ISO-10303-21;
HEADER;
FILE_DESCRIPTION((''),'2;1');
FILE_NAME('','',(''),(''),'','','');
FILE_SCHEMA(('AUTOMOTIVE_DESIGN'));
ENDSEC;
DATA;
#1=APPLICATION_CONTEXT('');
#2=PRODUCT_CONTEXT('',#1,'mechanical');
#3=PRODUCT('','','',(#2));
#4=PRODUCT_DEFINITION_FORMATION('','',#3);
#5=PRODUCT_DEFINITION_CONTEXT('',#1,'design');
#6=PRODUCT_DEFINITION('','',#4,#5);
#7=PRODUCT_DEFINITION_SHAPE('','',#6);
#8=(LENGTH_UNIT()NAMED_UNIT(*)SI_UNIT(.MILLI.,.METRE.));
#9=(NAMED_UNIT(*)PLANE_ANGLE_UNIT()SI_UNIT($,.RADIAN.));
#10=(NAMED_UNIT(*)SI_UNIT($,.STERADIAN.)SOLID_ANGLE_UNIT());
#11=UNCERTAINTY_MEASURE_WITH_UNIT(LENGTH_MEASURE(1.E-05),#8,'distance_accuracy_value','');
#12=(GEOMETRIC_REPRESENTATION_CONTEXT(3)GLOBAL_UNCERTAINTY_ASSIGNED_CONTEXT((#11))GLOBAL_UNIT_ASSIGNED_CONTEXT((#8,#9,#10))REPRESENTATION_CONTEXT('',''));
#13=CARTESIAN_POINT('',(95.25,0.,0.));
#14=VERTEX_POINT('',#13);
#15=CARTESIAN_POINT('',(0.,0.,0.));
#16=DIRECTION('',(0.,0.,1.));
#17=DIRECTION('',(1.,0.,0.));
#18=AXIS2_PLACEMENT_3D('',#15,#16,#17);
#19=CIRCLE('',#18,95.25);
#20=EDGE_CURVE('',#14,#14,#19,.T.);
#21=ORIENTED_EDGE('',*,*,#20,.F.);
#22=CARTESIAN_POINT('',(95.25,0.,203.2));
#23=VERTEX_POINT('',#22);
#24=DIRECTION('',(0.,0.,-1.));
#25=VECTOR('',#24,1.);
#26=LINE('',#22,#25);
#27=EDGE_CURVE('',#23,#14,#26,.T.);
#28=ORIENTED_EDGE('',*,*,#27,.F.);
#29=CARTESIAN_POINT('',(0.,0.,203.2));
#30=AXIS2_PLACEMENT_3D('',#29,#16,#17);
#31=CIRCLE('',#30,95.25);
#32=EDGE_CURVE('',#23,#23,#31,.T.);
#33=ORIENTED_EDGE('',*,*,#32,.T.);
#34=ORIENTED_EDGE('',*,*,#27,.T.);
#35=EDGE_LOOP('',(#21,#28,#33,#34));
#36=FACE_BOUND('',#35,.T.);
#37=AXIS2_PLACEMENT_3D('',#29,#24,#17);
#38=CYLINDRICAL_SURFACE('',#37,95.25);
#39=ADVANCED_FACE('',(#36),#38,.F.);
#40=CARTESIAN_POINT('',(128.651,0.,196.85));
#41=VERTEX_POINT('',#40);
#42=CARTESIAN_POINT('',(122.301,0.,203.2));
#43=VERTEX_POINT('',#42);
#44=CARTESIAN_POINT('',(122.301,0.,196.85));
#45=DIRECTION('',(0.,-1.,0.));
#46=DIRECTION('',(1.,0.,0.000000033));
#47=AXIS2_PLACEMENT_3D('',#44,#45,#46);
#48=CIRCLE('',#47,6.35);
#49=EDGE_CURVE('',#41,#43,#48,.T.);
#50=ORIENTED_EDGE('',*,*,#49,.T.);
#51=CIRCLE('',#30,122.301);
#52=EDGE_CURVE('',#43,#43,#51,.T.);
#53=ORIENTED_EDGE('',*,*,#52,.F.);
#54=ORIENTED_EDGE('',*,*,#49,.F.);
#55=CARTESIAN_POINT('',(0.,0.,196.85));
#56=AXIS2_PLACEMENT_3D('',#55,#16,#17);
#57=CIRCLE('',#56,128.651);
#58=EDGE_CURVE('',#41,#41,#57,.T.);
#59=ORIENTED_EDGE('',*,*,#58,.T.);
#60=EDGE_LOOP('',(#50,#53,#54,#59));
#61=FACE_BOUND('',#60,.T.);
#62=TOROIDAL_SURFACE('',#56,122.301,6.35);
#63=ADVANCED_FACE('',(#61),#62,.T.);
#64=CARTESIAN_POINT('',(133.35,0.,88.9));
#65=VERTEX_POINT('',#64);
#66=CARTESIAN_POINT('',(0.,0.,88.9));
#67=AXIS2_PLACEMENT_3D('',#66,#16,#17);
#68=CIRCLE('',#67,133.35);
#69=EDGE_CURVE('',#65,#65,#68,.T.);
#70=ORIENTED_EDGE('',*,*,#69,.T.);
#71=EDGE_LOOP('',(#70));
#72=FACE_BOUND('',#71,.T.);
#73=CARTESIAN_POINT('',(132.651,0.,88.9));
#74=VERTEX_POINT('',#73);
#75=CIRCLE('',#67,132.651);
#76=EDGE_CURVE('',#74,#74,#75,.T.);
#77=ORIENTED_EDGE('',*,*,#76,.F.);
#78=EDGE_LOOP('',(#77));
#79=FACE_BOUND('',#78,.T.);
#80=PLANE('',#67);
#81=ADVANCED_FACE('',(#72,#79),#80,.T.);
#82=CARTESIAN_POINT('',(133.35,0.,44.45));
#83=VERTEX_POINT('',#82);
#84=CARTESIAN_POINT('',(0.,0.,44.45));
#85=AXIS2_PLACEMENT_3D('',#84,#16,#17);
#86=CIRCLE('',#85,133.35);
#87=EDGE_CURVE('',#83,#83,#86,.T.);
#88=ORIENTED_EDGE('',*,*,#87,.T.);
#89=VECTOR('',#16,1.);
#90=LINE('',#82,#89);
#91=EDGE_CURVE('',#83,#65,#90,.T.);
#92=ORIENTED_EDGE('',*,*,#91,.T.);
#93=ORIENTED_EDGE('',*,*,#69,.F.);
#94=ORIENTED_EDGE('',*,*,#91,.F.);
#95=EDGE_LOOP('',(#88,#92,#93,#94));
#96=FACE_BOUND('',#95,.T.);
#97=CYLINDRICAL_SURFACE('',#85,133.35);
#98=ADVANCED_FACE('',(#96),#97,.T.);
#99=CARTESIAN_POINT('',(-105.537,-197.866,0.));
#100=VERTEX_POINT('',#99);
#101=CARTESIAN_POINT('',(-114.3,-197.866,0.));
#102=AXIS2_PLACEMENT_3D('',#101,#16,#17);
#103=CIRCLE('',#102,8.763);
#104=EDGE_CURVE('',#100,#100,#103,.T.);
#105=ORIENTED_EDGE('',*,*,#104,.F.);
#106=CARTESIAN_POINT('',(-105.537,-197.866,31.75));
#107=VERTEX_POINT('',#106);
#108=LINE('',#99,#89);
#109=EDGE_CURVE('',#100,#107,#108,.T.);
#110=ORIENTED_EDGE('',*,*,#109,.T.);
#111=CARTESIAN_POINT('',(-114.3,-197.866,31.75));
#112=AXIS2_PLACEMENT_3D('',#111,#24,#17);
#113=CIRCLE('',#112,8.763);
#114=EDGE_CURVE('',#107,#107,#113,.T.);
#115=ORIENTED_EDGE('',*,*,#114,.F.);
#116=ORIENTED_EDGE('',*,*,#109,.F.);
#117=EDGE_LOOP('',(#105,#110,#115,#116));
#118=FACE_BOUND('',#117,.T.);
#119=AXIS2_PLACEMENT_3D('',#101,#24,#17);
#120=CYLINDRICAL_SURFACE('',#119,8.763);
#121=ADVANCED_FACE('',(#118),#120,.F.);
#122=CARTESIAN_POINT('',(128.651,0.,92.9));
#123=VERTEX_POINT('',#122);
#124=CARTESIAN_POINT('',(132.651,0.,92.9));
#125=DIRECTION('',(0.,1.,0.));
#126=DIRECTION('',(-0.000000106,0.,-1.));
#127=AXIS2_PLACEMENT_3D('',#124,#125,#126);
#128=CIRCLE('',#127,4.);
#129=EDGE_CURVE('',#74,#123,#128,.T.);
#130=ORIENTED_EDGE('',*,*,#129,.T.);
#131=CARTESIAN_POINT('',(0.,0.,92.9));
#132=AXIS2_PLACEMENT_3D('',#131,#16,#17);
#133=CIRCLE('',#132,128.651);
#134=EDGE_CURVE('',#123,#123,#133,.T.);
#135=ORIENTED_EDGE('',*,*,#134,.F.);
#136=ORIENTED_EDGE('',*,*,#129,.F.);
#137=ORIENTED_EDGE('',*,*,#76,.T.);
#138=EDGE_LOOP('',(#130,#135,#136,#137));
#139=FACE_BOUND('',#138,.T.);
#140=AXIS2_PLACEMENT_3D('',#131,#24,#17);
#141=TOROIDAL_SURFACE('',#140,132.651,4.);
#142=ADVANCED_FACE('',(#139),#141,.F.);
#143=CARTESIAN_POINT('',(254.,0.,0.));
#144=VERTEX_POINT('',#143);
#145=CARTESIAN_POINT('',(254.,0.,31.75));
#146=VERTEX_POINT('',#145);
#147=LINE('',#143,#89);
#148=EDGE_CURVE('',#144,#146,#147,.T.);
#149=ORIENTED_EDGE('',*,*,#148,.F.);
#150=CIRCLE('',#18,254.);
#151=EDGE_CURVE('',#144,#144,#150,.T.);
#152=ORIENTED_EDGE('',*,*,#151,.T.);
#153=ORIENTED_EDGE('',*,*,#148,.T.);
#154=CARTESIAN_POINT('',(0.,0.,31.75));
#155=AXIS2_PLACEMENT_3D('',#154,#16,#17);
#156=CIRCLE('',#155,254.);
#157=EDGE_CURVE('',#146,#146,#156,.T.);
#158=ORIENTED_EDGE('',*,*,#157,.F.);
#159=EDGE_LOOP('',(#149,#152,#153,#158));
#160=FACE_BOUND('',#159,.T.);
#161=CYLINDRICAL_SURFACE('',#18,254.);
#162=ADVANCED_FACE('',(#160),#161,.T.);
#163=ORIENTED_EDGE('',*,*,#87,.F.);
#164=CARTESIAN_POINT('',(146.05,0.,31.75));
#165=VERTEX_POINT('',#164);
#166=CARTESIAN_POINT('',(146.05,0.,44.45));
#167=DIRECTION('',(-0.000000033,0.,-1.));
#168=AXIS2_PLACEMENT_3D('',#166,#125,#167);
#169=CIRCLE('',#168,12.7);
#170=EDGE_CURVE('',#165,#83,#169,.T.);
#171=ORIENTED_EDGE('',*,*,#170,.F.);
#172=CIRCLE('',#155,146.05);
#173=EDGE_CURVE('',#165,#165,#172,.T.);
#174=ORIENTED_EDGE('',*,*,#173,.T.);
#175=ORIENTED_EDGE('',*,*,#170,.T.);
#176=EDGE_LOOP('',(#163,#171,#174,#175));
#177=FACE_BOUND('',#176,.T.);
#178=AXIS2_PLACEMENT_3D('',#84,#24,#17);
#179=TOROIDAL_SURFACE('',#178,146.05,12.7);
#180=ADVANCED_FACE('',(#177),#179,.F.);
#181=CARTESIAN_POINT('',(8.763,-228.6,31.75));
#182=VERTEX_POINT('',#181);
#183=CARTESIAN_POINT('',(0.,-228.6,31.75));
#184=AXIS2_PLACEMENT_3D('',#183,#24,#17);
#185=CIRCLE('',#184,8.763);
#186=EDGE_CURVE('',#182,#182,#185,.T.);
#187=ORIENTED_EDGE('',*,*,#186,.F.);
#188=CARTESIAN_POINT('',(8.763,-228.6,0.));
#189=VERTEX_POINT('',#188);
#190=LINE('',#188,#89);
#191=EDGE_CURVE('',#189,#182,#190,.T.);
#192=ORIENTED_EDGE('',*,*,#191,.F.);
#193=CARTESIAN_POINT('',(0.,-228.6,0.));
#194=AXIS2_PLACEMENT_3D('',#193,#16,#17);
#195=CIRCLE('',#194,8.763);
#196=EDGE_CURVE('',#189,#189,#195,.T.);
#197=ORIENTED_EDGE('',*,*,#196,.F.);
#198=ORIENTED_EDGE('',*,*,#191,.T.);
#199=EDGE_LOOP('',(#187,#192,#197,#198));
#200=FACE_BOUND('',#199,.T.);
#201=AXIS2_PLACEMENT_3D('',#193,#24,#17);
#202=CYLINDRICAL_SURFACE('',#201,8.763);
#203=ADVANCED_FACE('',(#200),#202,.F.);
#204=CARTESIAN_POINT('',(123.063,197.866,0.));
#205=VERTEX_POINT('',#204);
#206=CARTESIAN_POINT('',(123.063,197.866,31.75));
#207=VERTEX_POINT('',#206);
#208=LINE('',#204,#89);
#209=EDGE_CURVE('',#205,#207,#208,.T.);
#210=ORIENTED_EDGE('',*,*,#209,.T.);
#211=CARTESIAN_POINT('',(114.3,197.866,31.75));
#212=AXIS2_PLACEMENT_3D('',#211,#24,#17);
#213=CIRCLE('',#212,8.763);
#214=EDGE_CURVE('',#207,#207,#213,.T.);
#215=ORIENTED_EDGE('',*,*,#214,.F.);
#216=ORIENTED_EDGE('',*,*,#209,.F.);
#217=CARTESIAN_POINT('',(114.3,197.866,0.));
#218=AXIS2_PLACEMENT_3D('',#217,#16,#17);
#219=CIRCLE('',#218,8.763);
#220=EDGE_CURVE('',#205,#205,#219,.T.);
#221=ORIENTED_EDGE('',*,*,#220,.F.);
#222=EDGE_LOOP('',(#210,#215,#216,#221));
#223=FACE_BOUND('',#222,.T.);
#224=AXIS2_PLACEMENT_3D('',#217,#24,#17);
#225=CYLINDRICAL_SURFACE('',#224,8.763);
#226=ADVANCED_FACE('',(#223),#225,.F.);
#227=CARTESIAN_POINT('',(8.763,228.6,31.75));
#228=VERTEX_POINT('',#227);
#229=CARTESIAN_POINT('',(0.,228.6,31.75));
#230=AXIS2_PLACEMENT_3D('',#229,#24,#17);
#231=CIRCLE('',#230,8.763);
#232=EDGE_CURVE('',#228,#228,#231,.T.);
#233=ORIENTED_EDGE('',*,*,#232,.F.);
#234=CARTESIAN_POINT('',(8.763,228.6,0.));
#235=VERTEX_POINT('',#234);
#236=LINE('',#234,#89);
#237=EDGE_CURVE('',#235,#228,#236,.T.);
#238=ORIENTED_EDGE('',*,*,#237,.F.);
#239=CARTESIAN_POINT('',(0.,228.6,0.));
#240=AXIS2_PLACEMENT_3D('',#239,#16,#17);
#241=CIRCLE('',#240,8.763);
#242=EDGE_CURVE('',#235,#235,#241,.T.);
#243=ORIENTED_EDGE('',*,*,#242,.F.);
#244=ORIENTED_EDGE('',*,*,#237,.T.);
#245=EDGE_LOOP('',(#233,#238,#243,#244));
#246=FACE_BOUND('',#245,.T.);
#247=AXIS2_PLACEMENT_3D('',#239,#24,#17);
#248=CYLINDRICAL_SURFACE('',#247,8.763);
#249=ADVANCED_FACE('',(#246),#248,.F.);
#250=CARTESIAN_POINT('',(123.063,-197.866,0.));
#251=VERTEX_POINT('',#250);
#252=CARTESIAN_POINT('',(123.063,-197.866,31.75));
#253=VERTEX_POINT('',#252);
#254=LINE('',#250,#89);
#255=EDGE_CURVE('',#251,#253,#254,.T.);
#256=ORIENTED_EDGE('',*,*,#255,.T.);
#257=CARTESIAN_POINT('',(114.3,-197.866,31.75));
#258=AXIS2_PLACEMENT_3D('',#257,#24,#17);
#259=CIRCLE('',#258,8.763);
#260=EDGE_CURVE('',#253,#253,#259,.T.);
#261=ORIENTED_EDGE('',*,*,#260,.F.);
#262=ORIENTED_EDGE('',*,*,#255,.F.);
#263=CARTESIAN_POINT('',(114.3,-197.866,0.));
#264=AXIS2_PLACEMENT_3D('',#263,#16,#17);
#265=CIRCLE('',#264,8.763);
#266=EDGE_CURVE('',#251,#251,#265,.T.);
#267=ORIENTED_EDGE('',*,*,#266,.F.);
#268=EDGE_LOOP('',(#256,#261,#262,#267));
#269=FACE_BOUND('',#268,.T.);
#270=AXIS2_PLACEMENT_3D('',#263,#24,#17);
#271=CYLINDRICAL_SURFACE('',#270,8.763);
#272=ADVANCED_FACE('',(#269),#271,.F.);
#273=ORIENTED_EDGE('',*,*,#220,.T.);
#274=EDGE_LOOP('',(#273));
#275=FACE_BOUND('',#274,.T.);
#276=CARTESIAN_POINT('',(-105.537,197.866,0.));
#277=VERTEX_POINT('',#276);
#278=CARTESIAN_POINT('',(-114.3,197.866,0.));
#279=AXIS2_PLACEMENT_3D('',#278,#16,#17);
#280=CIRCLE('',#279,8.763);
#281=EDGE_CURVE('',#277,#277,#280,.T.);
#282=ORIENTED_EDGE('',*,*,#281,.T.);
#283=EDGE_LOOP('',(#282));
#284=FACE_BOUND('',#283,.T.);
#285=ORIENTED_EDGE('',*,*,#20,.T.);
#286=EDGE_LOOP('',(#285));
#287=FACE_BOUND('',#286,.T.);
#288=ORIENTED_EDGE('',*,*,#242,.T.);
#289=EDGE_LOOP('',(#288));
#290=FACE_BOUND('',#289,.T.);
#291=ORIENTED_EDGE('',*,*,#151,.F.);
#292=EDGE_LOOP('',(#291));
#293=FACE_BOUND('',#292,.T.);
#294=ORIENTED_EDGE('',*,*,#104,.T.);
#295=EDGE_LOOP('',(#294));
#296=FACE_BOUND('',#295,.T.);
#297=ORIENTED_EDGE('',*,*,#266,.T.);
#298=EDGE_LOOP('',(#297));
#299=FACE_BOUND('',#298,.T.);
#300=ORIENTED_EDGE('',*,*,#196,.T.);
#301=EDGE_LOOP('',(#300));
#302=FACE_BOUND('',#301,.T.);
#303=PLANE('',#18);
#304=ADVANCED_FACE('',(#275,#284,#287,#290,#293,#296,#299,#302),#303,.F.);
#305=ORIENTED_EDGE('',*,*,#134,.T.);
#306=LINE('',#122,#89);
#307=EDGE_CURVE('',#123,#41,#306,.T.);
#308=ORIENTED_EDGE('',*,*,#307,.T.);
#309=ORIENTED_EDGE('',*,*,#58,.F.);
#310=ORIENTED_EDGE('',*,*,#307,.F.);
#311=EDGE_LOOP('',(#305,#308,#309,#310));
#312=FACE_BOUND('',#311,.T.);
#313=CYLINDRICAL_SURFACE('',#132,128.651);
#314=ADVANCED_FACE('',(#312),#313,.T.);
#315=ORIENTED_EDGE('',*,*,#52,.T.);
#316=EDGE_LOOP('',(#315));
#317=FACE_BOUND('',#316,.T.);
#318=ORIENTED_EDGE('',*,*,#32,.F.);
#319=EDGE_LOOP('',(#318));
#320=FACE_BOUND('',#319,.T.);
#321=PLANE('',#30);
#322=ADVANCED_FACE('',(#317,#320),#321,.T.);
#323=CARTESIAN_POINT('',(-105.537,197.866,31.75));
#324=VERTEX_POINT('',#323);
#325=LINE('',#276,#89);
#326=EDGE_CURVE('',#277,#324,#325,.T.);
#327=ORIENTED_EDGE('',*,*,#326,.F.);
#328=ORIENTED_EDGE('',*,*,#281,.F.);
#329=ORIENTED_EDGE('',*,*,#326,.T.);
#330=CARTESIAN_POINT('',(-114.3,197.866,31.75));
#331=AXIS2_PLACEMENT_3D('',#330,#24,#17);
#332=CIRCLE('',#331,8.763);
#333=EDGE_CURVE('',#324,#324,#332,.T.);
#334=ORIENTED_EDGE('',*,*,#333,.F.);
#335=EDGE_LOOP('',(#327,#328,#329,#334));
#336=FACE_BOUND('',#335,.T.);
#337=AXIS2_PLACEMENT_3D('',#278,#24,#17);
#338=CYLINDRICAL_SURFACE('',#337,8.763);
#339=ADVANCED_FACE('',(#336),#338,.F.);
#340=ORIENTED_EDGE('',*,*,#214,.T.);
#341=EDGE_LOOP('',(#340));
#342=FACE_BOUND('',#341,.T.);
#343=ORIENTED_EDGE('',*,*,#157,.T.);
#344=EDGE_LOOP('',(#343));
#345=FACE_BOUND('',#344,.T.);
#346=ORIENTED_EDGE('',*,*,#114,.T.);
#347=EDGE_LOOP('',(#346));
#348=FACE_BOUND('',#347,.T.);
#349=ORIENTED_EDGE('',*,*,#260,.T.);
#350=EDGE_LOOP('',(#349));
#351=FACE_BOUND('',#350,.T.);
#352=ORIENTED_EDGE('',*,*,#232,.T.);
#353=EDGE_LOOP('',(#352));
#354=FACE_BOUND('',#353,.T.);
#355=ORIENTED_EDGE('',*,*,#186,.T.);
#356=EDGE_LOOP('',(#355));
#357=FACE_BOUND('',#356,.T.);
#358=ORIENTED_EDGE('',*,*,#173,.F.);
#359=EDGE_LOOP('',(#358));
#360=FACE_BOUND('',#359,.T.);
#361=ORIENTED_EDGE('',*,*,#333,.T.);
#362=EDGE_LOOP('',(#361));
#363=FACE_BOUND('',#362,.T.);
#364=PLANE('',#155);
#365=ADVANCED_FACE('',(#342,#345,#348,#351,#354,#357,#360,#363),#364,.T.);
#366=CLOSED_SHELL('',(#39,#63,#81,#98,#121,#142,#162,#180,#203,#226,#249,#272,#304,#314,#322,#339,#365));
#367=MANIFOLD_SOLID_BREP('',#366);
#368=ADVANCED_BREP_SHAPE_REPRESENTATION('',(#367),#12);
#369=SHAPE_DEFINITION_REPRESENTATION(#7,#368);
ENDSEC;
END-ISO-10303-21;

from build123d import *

# Parameters (mm, degrees)
F2_R     = 8.763
F3_DEPTH = 203.201


with BuildPart() as f1:
    # F0 (on Front) → F1 (revolve)
    with BuildSketch(Plane.XZ):
        with BuildLine():
            Line((95.25, 203.2), (95.25, 0))
            Line((95.25, 0), (254, 0))
            Line((254, 0), (254, 31.75))
            Line((254, 31.75), (146.05, 31.75))
            ThreePointArc((146.05, 31.75), (137.069744, 35.469744), (133.35, 44.45))
            Line((133.35, 44.45), (133.35, 88.9))
            Line((133.35, 88.9), (132.651, 88.9))
            ThreePointArc((132.651, 88.9), (129.822573, 90.071573), (128.651, 92.9))
            Line((128.651, 92.9), (128.651, 196.85))
            ThreePointArc((128.651, 196.85), (126.791128, 201.340128), (122.301, 203.2))
            Line((122.301, 203.2), (95.25, 203.2))
        make_face()
    revolve(axis=Axis((0, 0, 122.34015), (0, 0, 1)))

    # F2 (on Top) → F3 (cut, through all)
    with BuildSketch(Plane.XY):
        with Locations((0, 228.6)):
            Circle(F2_R)
        with Locations((0, -228.6)):
            Circle(F2_R)
        with Locations((114.3, -197.866)):
            Circle(F2_R)
        with Locations((-114.3, -197.866)):
            Circle(F2_R)
        with Locations((-114.3, 197.866)):
            Circle(F2_R)
        with Locations((114.3, 197.866)):
            Circle(F2_R)
    extrude(amount=F3_DEPTH, mode=Mode.SUBTRACT)


solid = f1.part
